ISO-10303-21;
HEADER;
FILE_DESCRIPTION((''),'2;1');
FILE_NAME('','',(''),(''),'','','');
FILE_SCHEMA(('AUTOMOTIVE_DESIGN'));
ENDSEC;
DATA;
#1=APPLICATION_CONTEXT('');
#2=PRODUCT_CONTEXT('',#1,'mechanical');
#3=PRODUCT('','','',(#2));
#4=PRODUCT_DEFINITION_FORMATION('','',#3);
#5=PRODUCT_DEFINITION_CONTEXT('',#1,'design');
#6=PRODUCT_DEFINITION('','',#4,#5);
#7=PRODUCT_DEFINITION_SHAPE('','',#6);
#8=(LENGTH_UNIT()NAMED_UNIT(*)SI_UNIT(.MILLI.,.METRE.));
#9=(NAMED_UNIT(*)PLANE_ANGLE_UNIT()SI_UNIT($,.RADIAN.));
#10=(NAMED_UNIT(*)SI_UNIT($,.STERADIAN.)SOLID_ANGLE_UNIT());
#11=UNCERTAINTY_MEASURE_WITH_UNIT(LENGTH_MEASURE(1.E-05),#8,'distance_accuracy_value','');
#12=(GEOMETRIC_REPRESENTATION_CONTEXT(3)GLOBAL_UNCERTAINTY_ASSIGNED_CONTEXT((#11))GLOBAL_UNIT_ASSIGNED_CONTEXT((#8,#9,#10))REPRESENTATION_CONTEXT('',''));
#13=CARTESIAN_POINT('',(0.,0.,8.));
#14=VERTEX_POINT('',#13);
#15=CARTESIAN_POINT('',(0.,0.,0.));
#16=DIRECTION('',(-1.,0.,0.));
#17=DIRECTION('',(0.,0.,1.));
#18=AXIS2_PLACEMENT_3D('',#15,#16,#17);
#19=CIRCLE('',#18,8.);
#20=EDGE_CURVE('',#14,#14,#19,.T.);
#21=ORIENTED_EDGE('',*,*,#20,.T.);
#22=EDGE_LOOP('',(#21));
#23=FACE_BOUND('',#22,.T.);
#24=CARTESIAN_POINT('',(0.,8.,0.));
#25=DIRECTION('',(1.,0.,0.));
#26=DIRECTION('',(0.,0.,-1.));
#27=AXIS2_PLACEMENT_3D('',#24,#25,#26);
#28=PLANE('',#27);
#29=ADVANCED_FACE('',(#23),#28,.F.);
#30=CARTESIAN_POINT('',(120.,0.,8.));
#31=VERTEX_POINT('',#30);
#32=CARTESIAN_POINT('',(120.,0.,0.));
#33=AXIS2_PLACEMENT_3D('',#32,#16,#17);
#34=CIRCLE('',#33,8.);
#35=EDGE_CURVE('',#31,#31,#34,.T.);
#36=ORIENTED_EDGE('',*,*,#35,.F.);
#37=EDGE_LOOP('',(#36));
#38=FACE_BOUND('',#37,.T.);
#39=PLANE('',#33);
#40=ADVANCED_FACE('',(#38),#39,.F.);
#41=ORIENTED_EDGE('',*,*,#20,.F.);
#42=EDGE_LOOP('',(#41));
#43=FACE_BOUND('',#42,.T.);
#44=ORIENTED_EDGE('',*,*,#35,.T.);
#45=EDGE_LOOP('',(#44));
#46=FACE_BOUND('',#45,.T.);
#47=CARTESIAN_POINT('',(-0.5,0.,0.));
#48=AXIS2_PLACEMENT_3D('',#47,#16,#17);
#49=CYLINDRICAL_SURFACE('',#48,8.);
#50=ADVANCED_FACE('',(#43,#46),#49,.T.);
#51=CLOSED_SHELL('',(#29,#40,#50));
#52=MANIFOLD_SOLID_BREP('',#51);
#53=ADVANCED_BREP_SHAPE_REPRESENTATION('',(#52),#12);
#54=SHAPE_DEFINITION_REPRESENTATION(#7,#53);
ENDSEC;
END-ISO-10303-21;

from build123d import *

# Parameters (mm, degrees)
SKETCH_191_W = 120
SKETCH_191_H = 8


with BuildPart() as part:
    # Sketch 191 → Revolve 213 (revolve)
    with BuildSketch(Plane.XY, mode=Mode.PRIVATE) as revolve_213_sk:
        with Locations((60, 4)):
            Rectangle(SKETCH_191_W, SKETCH_191_H)
    revolve(revolve_213_sk.sketch.rotate(Axis((-0.5, 0, 0), (1, 0, 0)), 90), axis=Axis((-0.5, 0, 0), (1, 0, 0)))


solid = part.part
